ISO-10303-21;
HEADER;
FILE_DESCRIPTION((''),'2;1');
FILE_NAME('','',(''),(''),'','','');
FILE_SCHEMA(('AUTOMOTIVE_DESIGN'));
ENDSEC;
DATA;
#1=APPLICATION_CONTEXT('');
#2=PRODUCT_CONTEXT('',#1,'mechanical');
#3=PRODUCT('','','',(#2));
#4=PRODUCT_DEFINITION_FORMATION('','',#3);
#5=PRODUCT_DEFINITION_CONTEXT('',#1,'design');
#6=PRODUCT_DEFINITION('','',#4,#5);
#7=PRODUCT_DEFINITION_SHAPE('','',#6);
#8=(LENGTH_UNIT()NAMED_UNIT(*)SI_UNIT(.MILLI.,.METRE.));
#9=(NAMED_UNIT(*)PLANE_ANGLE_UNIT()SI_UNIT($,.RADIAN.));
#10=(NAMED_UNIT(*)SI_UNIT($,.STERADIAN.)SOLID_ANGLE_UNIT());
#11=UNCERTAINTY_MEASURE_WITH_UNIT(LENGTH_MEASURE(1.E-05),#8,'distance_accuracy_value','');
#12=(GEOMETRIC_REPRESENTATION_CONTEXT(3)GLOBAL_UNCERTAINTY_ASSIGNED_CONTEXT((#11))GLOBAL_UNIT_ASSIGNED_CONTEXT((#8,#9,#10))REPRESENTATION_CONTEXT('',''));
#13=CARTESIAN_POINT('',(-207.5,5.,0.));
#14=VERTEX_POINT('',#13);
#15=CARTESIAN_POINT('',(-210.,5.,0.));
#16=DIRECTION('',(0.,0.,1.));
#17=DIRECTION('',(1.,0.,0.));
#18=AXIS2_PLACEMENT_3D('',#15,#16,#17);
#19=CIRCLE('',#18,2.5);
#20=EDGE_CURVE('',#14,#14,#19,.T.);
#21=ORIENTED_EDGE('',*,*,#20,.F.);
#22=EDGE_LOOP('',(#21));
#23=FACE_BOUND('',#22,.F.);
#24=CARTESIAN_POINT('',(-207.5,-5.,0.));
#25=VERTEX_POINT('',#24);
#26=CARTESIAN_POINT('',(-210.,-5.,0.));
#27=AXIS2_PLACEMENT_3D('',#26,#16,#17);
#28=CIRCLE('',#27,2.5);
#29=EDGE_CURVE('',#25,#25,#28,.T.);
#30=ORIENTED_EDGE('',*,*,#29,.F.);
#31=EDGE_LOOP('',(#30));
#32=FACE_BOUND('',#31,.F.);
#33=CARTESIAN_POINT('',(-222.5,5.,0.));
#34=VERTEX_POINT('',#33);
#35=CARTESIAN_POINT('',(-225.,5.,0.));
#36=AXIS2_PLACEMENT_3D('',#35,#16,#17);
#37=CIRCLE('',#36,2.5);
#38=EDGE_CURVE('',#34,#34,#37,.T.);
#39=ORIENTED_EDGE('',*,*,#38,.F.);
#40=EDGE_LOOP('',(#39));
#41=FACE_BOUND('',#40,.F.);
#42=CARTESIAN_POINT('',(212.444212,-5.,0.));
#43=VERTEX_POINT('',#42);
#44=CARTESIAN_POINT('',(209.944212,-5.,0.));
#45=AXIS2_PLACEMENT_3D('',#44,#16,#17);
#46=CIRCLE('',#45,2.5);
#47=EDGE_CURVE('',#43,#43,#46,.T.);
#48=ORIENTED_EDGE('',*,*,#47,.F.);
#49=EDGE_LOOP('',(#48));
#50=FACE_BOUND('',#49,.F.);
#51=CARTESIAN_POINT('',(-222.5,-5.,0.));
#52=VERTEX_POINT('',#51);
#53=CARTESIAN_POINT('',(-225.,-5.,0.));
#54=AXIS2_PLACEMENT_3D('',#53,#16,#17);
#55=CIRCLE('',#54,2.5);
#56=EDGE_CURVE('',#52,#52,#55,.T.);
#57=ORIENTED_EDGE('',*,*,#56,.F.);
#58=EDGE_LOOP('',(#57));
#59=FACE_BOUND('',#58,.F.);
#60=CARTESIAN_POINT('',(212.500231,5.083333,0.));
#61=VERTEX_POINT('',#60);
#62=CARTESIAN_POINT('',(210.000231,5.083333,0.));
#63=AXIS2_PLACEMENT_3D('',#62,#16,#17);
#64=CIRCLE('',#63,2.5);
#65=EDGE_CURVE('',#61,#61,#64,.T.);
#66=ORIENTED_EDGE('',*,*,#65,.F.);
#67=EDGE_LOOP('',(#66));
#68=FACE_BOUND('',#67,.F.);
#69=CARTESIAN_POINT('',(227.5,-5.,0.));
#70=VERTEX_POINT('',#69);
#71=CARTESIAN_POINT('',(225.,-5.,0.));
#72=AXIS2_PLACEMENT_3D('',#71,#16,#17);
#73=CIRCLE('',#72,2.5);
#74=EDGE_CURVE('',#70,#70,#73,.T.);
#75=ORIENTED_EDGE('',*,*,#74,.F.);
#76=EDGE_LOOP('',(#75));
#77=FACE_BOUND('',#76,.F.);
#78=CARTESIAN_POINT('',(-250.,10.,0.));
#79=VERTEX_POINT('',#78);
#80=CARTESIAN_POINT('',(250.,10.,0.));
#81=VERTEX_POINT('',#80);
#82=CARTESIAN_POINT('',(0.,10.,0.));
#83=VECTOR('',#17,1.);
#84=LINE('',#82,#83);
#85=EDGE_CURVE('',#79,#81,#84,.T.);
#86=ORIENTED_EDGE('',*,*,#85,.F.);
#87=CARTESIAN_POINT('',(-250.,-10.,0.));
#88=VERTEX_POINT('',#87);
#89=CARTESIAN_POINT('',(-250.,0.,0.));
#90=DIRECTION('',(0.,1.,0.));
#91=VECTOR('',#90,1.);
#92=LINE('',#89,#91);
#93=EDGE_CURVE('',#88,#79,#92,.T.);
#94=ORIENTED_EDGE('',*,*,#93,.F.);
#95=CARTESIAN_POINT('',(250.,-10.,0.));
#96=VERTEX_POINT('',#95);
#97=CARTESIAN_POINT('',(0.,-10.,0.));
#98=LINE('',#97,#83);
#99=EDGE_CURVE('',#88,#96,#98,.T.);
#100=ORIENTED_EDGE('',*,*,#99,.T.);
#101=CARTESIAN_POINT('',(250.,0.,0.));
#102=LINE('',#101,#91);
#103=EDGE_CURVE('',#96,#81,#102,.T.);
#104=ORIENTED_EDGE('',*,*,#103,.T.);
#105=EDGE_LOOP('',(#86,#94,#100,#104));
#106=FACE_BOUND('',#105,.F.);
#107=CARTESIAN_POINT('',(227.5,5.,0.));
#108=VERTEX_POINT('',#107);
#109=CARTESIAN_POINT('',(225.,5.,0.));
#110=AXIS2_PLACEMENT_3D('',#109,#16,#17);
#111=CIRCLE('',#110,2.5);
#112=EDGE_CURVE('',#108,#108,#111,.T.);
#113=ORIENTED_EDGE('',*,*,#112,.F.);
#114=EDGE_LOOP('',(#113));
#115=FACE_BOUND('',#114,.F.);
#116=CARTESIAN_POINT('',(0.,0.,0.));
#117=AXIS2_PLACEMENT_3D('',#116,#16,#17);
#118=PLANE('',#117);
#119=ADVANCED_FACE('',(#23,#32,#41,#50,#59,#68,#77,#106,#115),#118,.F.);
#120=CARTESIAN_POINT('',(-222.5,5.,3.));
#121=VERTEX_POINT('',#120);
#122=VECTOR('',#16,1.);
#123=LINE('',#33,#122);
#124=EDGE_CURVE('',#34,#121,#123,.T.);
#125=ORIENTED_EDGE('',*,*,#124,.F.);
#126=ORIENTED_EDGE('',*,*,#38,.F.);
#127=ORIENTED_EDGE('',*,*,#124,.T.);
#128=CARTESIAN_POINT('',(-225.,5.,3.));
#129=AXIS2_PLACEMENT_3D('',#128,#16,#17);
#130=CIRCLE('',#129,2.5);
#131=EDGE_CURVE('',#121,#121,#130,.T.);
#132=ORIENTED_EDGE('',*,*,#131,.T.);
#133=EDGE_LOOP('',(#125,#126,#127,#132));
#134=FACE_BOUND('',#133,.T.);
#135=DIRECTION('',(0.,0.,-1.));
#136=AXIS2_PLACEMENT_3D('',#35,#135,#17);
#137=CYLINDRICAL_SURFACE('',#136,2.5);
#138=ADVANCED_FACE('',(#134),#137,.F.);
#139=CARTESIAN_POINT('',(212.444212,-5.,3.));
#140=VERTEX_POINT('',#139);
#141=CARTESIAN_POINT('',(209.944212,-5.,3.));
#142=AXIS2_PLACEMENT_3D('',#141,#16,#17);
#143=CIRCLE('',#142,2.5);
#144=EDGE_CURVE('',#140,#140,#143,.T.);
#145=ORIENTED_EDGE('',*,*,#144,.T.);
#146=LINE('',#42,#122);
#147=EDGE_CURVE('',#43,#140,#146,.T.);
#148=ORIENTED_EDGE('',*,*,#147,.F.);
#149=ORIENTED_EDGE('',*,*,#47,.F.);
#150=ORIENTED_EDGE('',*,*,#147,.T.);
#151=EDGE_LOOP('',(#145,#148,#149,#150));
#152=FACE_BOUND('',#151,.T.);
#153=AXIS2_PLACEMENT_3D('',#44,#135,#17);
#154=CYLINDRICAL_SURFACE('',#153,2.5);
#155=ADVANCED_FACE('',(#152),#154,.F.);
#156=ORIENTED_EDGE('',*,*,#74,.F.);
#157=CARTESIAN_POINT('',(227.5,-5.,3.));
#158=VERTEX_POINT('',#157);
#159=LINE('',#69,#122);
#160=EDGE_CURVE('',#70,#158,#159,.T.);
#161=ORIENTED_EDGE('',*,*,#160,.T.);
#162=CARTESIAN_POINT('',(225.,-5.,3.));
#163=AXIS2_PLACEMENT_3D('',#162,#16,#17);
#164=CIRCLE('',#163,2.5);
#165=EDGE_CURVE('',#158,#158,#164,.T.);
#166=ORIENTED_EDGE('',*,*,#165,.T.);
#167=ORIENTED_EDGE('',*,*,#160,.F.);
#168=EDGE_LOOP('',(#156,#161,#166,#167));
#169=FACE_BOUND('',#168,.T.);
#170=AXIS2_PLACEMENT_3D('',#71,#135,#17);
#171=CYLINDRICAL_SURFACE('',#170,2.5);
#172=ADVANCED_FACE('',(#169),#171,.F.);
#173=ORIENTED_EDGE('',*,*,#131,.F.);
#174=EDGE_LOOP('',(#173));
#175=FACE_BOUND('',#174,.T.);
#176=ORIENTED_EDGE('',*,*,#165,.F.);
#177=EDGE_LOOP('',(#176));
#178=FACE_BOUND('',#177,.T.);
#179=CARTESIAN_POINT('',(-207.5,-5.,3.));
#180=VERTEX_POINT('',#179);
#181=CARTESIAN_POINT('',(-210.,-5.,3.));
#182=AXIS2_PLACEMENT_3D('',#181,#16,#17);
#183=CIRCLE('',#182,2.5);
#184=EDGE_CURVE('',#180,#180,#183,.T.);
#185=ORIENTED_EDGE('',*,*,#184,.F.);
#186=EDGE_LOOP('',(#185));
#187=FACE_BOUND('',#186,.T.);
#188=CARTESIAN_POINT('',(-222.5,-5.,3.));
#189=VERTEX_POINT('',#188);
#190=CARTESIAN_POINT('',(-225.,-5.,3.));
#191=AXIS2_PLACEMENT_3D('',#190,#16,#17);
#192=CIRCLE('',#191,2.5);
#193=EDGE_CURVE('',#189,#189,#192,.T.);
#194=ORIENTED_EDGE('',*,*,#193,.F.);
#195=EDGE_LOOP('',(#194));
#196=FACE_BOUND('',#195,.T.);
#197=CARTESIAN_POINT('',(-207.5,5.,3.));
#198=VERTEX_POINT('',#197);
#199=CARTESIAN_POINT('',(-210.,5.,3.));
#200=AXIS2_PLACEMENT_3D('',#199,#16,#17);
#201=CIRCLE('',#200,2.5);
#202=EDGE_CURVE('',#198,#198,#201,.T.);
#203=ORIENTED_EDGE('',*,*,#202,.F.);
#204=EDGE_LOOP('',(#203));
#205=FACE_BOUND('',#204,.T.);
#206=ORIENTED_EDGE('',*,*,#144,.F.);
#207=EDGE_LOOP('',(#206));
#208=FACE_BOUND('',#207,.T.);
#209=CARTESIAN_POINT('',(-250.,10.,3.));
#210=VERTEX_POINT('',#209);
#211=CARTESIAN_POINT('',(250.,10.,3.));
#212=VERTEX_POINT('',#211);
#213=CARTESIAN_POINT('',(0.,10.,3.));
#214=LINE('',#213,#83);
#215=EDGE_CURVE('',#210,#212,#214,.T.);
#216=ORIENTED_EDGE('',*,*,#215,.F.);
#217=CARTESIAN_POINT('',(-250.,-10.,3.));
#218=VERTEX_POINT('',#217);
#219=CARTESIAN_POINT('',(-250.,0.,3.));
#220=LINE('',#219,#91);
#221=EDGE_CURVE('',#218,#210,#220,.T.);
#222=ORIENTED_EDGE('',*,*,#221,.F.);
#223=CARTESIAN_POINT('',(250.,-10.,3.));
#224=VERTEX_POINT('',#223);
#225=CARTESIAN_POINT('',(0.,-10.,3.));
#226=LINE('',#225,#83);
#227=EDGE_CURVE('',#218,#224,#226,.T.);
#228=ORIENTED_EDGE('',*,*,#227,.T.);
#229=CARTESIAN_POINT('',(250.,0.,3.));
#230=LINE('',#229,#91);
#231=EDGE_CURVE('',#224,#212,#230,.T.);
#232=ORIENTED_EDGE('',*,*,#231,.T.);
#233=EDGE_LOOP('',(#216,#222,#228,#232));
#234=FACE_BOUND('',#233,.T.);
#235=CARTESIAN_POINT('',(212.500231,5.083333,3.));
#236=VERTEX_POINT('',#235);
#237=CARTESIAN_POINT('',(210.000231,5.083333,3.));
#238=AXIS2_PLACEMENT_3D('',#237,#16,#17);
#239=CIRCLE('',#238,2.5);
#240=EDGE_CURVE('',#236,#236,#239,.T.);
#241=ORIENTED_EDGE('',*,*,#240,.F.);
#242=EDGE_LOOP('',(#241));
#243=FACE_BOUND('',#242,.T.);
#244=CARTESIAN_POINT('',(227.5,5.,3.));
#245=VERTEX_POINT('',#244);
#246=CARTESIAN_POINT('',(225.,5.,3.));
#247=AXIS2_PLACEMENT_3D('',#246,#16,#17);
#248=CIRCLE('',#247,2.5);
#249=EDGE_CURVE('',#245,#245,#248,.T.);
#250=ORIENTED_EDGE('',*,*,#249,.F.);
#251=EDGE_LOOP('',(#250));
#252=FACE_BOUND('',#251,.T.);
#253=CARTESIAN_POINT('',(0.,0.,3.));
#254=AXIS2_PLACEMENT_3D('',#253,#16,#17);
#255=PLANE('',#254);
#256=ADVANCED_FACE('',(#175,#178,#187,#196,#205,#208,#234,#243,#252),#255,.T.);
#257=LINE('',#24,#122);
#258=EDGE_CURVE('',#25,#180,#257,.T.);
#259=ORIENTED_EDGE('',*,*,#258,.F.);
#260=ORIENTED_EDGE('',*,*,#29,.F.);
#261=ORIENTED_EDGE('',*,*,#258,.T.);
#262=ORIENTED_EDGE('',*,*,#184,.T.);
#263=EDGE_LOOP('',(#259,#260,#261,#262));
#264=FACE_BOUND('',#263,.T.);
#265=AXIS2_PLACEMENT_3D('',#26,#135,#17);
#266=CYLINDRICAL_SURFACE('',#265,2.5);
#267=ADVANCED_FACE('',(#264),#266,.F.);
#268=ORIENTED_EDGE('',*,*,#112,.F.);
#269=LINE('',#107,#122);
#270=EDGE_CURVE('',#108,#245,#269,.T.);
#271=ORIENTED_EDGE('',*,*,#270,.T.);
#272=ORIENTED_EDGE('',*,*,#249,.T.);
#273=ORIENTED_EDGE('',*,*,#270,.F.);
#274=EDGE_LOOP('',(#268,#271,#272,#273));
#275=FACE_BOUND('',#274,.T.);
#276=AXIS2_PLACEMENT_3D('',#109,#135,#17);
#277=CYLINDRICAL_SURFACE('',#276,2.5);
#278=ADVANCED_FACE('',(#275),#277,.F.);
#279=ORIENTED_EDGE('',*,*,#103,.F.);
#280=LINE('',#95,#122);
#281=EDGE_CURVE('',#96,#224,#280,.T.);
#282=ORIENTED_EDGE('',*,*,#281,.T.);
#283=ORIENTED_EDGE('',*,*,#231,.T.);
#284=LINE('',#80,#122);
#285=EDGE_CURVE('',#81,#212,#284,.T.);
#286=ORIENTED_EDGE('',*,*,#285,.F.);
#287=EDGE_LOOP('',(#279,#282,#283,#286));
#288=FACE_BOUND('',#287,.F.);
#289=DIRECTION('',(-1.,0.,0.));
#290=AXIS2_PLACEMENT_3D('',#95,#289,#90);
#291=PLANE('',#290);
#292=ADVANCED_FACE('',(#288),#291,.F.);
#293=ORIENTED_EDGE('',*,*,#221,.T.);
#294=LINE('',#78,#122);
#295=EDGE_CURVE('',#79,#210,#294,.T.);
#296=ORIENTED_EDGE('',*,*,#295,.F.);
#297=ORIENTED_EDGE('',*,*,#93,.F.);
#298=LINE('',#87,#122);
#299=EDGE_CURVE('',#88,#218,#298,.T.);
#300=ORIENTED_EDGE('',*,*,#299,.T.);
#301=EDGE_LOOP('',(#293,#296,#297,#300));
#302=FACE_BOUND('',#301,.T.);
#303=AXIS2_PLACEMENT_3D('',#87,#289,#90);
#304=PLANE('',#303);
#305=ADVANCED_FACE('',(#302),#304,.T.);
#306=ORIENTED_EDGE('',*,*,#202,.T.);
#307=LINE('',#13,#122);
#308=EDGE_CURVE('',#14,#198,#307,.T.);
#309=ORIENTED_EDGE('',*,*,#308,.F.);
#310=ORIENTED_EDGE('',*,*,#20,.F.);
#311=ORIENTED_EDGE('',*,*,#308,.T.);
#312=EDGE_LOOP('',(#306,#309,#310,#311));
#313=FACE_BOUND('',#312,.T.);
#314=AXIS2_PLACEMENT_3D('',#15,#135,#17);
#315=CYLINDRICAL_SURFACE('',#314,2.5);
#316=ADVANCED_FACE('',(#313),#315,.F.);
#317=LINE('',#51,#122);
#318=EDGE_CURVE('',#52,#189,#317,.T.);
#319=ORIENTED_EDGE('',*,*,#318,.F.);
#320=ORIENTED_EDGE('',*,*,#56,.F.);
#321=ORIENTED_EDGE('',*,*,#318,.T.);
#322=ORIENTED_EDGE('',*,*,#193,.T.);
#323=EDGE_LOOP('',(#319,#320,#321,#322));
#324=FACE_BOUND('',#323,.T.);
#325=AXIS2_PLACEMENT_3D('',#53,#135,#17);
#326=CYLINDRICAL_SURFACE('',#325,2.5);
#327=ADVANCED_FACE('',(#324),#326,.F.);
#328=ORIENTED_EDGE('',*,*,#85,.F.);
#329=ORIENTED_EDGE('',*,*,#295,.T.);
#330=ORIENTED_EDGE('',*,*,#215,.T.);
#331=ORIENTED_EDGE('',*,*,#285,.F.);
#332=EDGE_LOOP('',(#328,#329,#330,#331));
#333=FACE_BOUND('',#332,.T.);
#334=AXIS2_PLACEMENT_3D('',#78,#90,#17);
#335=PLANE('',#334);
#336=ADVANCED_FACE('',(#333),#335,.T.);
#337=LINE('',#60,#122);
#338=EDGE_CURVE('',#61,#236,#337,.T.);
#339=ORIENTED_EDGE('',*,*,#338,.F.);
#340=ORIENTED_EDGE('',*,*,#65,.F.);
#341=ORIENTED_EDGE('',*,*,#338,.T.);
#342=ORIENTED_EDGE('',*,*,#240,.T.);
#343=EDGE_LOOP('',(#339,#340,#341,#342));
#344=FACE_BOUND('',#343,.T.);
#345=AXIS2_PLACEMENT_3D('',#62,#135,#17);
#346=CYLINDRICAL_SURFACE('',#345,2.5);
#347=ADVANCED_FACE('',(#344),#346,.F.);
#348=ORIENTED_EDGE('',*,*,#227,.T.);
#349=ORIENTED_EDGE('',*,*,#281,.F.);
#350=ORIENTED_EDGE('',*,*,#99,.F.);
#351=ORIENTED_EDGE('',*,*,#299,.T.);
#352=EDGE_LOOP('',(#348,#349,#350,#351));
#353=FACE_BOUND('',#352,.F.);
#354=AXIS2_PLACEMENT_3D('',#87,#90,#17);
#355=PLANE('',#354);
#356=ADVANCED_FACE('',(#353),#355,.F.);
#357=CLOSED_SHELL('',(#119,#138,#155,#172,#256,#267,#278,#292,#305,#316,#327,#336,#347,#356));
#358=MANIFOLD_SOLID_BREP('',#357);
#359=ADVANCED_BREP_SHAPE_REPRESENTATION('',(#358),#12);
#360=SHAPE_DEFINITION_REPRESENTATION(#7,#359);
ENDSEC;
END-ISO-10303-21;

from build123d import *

# Parameters (mm, degrees)
F0_W     = 500
F0_H     = 20
F0_R     = 2.5
F1_DEPTH = 3


with BuildPart() as f1:
    # F0 (on Top) → F1 (new body)
    with BuildSketch(Plane.XY):
        Rectangle(F0_W, F0_H)
        with Locations((-225, -5)):
            Circle(F0_R, mode=Mode.SUBTRACT)
        with Locations((-210, -5)):
            Circle(F0_R, mode=Mode.SUBTRACT)
        with Locations((209.944212, -5)):
            Circle(F0_R, mode=Mode.SUBTRACT)
        with Locations((225, -5)):
            Circle(F0_R, mode=Mode.SUBTRACT)
        with Locations((-225, 5)):
            Circle(F0_R, mode=Mode.SUBTRACT)
        with Locations((-210, 5)):
            Circle(F0_R, mode=Mode.SUBTRACT)
        with Locations((210.000231, 5.083333)):
            Circle(F0_R, mode=Mode.SUBTRACT)
        with Locations((225, 5)):
            Circle(F0_R, mode=Mode.SUBTRACT)
    extrude(amount=F1_DEPTH)


solid = f1.part
